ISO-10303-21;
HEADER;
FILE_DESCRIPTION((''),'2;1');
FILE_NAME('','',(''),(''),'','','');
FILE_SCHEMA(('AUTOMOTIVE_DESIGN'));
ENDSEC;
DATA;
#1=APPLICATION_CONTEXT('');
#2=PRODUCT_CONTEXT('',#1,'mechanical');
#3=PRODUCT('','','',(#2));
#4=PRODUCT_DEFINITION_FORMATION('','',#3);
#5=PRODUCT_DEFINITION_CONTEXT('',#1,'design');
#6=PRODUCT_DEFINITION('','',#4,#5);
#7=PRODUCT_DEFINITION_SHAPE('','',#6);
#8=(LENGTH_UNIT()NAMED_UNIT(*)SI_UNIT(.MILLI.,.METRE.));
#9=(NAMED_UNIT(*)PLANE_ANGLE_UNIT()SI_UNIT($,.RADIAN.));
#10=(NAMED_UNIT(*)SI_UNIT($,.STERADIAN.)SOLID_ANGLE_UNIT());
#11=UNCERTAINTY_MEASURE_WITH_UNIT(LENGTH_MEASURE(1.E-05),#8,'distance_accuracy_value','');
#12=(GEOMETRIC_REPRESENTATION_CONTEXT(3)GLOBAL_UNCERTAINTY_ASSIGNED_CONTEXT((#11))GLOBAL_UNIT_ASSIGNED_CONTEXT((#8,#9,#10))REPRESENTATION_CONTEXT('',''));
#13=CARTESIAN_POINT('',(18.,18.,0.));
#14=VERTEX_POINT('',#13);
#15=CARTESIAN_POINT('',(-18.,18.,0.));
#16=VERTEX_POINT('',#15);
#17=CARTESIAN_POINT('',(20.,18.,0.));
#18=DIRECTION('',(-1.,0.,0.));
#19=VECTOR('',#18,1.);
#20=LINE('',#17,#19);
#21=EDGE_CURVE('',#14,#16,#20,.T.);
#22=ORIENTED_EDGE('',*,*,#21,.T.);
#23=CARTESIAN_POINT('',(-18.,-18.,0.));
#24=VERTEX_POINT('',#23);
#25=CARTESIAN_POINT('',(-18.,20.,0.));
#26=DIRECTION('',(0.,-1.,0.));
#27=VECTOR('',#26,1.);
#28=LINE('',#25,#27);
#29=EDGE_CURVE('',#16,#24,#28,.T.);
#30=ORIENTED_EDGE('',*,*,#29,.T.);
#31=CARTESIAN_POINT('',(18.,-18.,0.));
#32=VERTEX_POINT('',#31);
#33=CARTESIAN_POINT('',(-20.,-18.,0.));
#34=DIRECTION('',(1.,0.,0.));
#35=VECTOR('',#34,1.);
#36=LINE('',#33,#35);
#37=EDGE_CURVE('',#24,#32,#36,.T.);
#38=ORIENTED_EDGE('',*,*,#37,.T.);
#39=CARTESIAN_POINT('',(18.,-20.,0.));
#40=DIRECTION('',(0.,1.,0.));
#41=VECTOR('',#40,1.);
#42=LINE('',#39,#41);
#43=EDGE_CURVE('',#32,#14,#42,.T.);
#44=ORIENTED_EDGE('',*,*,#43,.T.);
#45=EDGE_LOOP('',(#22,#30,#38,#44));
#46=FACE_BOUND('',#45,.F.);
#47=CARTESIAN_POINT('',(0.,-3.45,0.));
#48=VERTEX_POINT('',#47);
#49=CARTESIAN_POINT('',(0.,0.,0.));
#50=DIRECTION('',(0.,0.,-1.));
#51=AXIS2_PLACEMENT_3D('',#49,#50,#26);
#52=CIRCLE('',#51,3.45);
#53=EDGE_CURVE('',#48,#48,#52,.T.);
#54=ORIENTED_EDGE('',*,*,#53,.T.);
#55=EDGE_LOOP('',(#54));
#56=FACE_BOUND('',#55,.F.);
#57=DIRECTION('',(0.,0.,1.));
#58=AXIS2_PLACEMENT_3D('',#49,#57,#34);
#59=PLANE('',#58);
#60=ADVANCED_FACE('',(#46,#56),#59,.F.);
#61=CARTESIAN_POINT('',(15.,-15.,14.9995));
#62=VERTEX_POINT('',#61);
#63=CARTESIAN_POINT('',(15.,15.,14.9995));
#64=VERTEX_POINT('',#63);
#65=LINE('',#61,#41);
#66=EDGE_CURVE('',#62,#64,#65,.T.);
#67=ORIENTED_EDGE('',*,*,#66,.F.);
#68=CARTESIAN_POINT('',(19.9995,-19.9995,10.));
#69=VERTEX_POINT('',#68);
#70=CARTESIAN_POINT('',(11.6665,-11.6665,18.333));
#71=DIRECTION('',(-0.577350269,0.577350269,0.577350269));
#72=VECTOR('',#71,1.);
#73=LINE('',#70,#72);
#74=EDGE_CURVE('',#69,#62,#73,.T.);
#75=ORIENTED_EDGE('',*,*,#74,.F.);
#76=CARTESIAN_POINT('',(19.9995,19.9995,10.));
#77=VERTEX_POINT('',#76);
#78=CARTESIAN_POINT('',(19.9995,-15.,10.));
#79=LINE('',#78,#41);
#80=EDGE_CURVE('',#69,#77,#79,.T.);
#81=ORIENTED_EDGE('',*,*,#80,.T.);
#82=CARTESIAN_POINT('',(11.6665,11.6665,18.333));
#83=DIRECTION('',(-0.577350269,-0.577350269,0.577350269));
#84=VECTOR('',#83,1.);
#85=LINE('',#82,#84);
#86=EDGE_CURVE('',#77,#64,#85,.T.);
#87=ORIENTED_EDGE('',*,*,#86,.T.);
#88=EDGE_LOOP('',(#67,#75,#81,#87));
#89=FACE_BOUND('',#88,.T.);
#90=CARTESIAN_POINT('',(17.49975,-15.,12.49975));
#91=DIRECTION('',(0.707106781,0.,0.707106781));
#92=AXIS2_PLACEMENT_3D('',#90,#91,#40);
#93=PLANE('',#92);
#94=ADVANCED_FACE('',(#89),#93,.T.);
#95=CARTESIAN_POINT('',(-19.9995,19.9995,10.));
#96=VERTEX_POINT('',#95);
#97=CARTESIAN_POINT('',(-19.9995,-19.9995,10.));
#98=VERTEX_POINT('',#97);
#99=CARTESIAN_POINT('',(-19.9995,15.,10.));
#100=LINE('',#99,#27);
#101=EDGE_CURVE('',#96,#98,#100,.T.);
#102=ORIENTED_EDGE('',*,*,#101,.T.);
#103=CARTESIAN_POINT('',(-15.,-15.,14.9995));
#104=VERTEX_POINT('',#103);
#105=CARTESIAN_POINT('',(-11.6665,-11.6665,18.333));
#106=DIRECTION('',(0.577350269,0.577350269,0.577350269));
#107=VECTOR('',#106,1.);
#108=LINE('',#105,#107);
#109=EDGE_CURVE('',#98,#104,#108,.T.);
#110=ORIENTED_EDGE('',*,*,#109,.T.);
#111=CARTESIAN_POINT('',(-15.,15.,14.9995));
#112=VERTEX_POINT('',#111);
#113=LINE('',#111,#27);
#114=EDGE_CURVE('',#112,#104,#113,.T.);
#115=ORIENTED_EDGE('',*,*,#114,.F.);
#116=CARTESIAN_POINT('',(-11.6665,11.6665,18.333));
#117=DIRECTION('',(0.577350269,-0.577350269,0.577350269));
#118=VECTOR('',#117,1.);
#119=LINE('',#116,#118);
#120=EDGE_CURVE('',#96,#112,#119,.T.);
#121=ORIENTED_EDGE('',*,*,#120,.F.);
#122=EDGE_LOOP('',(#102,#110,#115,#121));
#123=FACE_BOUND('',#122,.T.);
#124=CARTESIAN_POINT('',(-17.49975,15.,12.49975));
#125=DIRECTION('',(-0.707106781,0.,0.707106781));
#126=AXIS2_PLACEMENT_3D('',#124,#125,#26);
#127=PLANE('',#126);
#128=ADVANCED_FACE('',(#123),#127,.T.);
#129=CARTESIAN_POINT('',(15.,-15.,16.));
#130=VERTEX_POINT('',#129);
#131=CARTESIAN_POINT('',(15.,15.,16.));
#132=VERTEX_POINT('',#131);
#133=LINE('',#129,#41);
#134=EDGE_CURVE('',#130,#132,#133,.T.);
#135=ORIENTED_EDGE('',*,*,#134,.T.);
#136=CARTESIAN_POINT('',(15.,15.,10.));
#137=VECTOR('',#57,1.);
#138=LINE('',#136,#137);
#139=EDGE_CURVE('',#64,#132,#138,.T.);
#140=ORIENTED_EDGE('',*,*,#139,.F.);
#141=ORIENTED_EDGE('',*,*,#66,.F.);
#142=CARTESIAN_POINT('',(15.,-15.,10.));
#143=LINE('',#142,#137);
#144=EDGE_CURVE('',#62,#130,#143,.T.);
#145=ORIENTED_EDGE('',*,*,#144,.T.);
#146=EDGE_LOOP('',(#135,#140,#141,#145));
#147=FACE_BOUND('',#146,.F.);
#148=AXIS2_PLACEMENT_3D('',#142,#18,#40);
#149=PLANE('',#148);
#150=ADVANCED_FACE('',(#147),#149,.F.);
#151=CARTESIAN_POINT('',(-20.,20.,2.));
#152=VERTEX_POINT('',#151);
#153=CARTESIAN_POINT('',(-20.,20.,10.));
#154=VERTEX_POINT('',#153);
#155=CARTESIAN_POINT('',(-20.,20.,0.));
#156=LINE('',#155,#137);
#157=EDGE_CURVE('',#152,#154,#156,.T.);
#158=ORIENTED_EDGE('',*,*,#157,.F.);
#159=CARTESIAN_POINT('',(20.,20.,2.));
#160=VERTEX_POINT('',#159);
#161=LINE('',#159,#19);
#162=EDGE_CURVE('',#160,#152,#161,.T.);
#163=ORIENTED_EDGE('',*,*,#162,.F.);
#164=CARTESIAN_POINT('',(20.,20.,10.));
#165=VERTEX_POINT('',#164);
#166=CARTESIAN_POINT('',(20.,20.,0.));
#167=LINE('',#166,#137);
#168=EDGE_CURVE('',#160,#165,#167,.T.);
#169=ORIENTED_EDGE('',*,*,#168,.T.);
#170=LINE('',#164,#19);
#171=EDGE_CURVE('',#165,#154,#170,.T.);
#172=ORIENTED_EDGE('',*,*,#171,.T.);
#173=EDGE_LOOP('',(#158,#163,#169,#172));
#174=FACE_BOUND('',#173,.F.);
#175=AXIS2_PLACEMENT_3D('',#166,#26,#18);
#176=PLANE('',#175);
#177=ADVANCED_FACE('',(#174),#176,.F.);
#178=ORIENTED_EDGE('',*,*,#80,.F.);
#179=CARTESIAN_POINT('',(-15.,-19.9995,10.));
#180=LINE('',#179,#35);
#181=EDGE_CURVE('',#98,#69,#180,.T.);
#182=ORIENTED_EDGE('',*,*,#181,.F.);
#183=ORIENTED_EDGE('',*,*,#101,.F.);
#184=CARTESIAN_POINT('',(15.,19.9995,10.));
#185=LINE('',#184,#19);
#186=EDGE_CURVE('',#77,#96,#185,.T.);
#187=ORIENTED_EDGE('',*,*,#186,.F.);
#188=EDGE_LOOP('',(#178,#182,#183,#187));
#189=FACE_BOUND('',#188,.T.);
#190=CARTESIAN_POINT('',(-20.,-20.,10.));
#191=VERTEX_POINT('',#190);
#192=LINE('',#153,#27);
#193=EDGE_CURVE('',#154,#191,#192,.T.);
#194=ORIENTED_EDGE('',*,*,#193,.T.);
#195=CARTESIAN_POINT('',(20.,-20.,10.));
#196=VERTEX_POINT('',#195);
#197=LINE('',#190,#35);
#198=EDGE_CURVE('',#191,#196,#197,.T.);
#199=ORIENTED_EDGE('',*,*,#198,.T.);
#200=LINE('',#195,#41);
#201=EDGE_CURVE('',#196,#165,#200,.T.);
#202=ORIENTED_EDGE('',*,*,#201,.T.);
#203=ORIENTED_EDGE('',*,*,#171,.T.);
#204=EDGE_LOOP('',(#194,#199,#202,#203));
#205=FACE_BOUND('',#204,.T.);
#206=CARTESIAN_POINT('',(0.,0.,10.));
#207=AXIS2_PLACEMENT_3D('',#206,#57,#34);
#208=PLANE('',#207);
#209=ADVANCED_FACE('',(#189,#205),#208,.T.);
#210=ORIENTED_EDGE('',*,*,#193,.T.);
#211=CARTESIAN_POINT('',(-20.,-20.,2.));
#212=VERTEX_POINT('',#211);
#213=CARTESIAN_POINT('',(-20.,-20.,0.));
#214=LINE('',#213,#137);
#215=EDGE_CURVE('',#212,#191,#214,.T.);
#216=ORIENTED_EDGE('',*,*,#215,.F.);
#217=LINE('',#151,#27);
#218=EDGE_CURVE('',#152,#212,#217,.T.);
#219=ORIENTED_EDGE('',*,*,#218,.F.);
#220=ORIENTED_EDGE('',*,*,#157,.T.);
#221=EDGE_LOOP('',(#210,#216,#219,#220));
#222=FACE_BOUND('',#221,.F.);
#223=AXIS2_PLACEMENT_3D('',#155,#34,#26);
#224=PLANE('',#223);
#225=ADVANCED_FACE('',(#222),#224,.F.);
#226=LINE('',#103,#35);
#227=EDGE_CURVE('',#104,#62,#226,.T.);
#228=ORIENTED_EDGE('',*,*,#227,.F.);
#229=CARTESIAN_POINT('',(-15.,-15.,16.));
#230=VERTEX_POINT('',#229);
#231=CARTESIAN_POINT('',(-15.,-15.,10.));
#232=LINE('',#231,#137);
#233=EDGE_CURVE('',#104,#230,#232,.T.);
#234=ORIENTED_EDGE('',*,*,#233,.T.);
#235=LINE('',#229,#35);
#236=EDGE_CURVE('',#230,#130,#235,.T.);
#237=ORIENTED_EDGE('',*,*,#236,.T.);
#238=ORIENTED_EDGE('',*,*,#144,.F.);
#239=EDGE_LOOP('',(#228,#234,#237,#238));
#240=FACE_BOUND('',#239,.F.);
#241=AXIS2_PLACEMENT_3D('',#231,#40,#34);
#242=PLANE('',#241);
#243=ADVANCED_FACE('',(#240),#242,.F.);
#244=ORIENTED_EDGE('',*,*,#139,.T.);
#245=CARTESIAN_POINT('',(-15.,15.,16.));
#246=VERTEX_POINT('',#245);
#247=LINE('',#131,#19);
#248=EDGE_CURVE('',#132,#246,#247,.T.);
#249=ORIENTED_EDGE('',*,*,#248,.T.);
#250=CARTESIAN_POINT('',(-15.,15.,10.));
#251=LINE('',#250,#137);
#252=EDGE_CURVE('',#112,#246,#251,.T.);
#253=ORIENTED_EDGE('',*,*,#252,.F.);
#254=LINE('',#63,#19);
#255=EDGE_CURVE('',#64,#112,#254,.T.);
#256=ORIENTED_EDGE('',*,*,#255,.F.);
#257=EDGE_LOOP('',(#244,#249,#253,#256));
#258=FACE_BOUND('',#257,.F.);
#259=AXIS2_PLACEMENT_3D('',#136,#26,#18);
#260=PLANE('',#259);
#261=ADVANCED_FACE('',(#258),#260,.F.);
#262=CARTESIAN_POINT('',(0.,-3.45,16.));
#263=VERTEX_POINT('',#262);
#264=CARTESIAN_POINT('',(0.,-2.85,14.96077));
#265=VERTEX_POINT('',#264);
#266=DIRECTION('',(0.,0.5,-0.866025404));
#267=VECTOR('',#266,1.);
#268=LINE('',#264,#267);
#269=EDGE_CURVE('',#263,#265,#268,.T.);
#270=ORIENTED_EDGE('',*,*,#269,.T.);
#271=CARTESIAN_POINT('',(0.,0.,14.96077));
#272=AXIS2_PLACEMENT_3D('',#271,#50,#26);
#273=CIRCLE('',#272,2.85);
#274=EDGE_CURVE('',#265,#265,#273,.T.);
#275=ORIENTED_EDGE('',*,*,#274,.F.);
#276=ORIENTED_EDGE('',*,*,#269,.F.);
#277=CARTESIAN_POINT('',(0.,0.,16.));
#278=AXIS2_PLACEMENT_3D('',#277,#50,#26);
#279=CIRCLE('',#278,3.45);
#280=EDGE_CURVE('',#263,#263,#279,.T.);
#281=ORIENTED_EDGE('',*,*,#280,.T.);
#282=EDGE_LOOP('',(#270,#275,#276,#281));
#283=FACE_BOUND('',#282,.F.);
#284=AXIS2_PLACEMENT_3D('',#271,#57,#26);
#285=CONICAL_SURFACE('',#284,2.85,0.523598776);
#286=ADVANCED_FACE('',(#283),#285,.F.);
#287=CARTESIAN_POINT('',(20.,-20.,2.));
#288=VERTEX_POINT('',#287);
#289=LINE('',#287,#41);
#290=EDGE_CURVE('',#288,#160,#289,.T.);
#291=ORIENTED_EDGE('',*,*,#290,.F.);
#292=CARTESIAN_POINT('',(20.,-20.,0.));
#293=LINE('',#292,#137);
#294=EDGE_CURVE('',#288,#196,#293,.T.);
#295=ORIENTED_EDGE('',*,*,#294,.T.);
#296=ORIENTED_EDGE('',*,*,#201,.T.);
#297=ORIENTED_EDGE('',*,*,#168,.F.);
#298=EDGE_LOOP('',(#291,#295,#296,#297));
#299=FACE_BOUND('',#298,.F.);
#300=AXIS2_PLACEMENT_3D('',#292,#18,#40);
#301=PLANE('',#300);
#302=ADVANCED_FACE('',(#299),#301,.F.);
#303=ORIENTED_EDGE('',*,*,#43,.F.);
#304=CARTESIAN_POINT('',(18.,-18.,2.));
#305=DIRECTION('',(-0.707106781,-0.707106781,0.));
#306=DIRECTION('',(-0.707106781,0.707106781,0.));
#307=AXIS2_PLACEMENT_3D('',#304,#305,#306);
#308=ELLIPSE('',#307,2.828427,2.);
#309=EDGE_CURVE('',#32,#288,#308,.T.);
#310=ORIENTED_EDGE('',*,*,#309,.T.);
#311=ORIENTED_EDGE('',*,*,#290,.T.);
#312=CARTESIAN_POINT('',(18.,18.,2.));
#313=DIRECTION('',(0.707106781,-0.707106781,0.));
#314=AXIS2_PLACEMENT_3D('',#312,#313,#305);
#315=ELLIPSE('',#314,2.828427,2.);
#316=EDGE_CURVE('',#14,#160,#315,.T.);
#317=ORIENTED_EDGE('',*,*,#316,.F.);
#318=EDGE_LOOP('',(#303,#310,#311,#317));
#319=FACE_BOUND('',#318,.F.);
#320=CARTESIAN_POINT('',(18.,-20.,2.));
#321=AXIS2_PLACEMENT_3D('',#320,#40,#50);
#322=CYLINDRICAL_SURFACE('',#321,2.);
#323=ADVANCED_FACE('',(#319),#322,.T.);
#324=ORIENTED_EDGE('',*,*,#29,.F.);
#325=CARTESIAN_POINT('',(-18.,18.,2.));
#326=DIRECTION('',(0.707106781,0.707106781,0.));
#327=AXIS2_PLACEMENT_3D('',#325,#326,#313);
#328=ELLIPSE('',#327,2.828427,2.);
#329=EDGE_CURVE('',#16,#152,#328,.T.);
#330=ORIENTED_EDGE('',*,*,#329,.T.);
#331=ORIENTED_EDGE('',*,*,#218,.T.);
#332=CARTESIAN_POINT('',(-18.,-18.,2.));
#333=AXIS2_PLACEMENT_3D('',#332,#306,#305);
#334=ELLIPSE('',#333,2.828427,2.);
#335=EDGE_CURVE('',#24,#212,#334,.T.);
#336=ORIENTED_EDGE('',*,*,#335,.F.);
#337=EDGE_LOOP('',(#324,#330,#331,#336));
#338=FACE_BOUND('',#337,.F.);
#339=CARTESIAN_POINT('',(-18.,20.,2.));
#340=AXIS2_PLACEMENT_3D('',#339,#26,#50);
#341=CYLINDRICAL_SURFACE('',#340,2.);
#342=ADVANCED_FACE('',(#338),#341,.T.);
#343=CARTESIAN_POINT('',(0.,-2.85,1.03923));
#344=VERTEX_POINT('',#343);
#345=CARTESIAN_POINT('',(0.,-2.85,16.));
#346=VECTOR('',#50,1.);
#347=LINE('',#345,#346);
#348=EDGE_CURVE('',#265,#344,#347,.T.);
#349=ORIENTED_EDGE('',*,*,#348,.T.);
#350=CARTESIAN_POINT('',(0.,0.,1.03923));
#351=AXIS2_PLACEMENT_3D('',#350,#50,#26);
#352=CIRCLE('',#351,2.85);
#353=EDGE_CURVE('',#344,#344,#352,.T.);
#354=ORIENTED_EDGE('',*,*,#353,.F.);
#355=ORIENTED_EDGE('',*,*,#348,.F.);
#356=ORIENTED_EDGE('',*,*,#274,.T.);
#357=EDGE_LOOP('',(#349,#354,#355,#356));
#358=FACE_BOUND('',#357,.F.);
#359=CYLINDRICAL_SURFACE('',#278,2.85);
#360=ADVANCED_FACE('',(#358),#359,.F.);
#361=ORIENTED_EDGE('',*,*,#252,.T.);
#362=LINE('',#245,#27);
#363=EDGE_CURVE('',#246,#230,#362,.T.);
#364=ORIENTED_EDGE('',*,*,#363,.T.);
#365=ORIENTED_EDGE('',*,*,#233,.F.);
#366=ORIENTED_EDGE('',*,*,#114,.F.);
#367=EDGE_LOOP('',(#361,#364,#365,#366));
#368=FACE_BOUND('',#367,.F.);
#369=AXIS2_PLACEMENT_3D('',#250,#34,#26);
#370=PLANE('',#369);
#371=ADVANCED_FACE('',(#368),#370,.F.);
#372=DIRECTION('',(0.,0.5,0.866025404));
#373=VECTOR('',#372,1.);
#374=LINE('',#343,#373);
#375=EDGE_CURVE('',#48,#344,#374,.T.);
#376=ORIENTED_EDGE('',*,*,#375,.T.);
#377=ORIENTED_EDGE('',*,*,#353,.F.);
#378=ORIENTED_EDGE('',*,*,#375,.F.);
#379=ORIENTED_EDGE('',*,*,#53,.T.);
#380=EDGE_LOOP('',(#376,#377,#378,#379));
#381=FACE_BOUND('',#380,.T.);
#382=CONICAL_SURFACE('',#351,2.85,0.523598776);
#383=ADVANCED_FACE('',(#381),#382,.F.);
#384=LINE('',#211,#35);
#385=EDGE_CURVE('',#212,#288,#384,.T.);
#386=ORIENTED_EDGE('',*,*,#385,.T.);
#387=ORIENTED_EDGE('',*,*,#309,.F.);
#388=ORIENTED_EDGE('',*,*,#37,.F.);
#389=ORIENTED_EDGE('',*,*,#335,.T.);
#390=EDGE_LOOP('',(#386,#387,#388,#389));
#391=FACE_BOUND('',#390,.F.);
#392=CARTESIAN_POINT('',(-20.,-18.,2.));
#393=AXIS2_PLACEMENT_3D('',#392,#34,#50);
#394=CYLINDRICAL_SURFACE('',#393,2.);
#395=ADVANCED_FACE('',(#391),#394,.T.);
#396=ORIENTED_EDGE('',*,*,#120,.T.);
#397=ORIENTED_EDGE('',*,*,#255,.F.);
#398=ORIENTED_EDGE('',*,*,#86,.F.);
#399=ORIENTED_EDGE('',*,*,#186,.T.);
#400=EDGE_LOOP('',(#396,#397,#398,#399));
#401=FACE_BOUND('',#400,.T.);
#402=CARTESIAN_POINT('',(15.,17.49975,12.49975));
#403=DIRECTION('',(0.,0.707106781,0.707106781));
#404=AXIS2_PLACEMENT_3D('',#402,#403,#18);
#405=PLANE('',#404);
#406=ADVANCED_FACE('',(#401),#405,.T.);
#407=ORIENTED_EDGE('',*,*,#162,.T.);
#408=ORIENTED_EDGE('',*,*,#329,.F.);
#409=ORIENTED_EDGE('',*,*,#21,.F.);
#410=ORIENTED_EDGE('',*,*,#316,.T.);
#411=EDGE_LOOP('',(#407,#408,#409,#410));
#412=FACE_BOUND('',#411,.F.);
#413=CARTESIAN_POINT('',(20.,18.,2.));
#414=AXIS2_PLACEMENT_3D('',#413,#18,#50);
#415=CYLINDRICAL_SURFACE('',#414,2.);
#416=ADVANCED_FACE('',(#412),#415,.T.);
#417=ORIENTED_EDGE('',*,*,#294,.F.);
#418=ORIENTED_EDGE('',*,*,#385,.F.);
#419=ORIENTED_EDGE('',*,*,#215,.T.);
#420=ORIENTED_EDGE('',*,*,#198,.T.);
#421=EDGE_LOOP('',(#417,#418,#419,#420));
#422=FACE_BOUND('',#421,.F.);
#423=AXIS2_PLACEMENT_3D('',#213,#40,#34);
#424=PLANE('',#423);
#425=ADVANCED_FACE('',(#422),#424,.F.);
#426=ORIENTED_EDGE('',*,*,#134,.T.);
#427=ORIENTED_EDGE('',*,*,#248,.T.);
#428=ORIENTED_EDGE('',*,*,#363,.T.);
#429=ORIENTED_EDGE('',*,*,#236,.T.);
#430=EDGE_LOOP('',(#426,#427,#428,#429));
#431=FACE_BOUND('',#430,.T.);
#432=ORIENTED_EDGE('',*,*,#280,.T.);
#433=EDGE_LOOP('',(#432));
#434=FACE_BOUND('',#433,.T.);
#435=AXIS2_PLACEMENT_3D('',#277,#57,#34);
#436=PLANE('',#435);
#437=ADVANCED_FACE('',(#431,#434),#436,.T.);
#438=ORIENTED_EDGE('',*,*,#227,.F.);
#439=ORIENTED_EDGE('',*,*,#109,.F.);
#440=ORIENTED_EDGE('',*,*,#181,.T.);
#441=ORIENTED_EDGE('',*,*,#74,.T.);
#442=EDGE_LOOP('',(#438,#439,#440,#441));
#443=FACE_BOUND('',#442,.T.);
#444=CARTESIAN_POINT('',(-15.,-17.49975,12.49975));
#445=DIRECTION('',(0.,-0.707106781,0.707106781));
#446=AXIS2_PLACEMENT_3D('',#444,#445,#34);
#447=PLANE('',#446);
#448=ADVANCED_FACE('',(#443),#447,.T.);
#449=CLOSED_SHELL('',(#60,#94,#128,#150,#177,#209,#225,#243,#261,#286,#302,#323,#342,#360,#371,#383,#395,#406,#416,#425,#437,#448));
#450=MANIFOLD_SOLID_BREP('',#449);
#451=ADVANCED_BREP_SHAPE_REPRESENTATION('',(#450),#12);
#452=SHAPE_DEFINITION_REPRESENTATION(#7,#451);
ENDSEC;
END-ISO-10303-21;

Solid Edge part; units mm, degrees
sketch "Sketch1" plane through (0, 0, 0) normal (0, 0, 1) x (1, 0, 0)
  line L0 (-20, -20) -> (20, -20)
  line L1 (20, -20) -> (20, 20)
  line L2 (20, 20) -> (-20, 20)
  line L3 (-20, 20) -> (-20, -20)
  dimension "D1" = 40
extrude "Protrusion1" add sketch "Sketch1" along normal blind 10
sketch "Sketch2" plane through (0, 0, 10) normal (0, 0, 1) x (1, 0, 0)
  line L0 (-15, -15) -> (15, -15)
  line L1 (15, -15) -> (15, 15)
  line L2 (15, 15) -> (-15, 15)
  line L3 (-15, 15) -> (-15, -15)
  dimension "D1" = 30
extrude "ExtrudedProtrusion_2" add sketch "Sketch2" along normal blind 6
chamfer "Chamfer_1" distance 5 angle 45 4 edges at (-15, 0, 10) (0, -15, 10) (0, 15, 10) (15, 0, 10)
hole "Hole_1" at (0, 0, 16) direction (0, 0, -1) diameter 5.7 depth 40 tip angle 118 start chamfer 0.6 start chamfer angle 30 end chamfer 0.6 end chamfer angle 30
fillet "Round_1" radius 2 4 edges at (-20, 0, 0) (0, 20, 0) (20, 0, 0) (0, -20, 0)
properties material "Polyethylene, low density"
